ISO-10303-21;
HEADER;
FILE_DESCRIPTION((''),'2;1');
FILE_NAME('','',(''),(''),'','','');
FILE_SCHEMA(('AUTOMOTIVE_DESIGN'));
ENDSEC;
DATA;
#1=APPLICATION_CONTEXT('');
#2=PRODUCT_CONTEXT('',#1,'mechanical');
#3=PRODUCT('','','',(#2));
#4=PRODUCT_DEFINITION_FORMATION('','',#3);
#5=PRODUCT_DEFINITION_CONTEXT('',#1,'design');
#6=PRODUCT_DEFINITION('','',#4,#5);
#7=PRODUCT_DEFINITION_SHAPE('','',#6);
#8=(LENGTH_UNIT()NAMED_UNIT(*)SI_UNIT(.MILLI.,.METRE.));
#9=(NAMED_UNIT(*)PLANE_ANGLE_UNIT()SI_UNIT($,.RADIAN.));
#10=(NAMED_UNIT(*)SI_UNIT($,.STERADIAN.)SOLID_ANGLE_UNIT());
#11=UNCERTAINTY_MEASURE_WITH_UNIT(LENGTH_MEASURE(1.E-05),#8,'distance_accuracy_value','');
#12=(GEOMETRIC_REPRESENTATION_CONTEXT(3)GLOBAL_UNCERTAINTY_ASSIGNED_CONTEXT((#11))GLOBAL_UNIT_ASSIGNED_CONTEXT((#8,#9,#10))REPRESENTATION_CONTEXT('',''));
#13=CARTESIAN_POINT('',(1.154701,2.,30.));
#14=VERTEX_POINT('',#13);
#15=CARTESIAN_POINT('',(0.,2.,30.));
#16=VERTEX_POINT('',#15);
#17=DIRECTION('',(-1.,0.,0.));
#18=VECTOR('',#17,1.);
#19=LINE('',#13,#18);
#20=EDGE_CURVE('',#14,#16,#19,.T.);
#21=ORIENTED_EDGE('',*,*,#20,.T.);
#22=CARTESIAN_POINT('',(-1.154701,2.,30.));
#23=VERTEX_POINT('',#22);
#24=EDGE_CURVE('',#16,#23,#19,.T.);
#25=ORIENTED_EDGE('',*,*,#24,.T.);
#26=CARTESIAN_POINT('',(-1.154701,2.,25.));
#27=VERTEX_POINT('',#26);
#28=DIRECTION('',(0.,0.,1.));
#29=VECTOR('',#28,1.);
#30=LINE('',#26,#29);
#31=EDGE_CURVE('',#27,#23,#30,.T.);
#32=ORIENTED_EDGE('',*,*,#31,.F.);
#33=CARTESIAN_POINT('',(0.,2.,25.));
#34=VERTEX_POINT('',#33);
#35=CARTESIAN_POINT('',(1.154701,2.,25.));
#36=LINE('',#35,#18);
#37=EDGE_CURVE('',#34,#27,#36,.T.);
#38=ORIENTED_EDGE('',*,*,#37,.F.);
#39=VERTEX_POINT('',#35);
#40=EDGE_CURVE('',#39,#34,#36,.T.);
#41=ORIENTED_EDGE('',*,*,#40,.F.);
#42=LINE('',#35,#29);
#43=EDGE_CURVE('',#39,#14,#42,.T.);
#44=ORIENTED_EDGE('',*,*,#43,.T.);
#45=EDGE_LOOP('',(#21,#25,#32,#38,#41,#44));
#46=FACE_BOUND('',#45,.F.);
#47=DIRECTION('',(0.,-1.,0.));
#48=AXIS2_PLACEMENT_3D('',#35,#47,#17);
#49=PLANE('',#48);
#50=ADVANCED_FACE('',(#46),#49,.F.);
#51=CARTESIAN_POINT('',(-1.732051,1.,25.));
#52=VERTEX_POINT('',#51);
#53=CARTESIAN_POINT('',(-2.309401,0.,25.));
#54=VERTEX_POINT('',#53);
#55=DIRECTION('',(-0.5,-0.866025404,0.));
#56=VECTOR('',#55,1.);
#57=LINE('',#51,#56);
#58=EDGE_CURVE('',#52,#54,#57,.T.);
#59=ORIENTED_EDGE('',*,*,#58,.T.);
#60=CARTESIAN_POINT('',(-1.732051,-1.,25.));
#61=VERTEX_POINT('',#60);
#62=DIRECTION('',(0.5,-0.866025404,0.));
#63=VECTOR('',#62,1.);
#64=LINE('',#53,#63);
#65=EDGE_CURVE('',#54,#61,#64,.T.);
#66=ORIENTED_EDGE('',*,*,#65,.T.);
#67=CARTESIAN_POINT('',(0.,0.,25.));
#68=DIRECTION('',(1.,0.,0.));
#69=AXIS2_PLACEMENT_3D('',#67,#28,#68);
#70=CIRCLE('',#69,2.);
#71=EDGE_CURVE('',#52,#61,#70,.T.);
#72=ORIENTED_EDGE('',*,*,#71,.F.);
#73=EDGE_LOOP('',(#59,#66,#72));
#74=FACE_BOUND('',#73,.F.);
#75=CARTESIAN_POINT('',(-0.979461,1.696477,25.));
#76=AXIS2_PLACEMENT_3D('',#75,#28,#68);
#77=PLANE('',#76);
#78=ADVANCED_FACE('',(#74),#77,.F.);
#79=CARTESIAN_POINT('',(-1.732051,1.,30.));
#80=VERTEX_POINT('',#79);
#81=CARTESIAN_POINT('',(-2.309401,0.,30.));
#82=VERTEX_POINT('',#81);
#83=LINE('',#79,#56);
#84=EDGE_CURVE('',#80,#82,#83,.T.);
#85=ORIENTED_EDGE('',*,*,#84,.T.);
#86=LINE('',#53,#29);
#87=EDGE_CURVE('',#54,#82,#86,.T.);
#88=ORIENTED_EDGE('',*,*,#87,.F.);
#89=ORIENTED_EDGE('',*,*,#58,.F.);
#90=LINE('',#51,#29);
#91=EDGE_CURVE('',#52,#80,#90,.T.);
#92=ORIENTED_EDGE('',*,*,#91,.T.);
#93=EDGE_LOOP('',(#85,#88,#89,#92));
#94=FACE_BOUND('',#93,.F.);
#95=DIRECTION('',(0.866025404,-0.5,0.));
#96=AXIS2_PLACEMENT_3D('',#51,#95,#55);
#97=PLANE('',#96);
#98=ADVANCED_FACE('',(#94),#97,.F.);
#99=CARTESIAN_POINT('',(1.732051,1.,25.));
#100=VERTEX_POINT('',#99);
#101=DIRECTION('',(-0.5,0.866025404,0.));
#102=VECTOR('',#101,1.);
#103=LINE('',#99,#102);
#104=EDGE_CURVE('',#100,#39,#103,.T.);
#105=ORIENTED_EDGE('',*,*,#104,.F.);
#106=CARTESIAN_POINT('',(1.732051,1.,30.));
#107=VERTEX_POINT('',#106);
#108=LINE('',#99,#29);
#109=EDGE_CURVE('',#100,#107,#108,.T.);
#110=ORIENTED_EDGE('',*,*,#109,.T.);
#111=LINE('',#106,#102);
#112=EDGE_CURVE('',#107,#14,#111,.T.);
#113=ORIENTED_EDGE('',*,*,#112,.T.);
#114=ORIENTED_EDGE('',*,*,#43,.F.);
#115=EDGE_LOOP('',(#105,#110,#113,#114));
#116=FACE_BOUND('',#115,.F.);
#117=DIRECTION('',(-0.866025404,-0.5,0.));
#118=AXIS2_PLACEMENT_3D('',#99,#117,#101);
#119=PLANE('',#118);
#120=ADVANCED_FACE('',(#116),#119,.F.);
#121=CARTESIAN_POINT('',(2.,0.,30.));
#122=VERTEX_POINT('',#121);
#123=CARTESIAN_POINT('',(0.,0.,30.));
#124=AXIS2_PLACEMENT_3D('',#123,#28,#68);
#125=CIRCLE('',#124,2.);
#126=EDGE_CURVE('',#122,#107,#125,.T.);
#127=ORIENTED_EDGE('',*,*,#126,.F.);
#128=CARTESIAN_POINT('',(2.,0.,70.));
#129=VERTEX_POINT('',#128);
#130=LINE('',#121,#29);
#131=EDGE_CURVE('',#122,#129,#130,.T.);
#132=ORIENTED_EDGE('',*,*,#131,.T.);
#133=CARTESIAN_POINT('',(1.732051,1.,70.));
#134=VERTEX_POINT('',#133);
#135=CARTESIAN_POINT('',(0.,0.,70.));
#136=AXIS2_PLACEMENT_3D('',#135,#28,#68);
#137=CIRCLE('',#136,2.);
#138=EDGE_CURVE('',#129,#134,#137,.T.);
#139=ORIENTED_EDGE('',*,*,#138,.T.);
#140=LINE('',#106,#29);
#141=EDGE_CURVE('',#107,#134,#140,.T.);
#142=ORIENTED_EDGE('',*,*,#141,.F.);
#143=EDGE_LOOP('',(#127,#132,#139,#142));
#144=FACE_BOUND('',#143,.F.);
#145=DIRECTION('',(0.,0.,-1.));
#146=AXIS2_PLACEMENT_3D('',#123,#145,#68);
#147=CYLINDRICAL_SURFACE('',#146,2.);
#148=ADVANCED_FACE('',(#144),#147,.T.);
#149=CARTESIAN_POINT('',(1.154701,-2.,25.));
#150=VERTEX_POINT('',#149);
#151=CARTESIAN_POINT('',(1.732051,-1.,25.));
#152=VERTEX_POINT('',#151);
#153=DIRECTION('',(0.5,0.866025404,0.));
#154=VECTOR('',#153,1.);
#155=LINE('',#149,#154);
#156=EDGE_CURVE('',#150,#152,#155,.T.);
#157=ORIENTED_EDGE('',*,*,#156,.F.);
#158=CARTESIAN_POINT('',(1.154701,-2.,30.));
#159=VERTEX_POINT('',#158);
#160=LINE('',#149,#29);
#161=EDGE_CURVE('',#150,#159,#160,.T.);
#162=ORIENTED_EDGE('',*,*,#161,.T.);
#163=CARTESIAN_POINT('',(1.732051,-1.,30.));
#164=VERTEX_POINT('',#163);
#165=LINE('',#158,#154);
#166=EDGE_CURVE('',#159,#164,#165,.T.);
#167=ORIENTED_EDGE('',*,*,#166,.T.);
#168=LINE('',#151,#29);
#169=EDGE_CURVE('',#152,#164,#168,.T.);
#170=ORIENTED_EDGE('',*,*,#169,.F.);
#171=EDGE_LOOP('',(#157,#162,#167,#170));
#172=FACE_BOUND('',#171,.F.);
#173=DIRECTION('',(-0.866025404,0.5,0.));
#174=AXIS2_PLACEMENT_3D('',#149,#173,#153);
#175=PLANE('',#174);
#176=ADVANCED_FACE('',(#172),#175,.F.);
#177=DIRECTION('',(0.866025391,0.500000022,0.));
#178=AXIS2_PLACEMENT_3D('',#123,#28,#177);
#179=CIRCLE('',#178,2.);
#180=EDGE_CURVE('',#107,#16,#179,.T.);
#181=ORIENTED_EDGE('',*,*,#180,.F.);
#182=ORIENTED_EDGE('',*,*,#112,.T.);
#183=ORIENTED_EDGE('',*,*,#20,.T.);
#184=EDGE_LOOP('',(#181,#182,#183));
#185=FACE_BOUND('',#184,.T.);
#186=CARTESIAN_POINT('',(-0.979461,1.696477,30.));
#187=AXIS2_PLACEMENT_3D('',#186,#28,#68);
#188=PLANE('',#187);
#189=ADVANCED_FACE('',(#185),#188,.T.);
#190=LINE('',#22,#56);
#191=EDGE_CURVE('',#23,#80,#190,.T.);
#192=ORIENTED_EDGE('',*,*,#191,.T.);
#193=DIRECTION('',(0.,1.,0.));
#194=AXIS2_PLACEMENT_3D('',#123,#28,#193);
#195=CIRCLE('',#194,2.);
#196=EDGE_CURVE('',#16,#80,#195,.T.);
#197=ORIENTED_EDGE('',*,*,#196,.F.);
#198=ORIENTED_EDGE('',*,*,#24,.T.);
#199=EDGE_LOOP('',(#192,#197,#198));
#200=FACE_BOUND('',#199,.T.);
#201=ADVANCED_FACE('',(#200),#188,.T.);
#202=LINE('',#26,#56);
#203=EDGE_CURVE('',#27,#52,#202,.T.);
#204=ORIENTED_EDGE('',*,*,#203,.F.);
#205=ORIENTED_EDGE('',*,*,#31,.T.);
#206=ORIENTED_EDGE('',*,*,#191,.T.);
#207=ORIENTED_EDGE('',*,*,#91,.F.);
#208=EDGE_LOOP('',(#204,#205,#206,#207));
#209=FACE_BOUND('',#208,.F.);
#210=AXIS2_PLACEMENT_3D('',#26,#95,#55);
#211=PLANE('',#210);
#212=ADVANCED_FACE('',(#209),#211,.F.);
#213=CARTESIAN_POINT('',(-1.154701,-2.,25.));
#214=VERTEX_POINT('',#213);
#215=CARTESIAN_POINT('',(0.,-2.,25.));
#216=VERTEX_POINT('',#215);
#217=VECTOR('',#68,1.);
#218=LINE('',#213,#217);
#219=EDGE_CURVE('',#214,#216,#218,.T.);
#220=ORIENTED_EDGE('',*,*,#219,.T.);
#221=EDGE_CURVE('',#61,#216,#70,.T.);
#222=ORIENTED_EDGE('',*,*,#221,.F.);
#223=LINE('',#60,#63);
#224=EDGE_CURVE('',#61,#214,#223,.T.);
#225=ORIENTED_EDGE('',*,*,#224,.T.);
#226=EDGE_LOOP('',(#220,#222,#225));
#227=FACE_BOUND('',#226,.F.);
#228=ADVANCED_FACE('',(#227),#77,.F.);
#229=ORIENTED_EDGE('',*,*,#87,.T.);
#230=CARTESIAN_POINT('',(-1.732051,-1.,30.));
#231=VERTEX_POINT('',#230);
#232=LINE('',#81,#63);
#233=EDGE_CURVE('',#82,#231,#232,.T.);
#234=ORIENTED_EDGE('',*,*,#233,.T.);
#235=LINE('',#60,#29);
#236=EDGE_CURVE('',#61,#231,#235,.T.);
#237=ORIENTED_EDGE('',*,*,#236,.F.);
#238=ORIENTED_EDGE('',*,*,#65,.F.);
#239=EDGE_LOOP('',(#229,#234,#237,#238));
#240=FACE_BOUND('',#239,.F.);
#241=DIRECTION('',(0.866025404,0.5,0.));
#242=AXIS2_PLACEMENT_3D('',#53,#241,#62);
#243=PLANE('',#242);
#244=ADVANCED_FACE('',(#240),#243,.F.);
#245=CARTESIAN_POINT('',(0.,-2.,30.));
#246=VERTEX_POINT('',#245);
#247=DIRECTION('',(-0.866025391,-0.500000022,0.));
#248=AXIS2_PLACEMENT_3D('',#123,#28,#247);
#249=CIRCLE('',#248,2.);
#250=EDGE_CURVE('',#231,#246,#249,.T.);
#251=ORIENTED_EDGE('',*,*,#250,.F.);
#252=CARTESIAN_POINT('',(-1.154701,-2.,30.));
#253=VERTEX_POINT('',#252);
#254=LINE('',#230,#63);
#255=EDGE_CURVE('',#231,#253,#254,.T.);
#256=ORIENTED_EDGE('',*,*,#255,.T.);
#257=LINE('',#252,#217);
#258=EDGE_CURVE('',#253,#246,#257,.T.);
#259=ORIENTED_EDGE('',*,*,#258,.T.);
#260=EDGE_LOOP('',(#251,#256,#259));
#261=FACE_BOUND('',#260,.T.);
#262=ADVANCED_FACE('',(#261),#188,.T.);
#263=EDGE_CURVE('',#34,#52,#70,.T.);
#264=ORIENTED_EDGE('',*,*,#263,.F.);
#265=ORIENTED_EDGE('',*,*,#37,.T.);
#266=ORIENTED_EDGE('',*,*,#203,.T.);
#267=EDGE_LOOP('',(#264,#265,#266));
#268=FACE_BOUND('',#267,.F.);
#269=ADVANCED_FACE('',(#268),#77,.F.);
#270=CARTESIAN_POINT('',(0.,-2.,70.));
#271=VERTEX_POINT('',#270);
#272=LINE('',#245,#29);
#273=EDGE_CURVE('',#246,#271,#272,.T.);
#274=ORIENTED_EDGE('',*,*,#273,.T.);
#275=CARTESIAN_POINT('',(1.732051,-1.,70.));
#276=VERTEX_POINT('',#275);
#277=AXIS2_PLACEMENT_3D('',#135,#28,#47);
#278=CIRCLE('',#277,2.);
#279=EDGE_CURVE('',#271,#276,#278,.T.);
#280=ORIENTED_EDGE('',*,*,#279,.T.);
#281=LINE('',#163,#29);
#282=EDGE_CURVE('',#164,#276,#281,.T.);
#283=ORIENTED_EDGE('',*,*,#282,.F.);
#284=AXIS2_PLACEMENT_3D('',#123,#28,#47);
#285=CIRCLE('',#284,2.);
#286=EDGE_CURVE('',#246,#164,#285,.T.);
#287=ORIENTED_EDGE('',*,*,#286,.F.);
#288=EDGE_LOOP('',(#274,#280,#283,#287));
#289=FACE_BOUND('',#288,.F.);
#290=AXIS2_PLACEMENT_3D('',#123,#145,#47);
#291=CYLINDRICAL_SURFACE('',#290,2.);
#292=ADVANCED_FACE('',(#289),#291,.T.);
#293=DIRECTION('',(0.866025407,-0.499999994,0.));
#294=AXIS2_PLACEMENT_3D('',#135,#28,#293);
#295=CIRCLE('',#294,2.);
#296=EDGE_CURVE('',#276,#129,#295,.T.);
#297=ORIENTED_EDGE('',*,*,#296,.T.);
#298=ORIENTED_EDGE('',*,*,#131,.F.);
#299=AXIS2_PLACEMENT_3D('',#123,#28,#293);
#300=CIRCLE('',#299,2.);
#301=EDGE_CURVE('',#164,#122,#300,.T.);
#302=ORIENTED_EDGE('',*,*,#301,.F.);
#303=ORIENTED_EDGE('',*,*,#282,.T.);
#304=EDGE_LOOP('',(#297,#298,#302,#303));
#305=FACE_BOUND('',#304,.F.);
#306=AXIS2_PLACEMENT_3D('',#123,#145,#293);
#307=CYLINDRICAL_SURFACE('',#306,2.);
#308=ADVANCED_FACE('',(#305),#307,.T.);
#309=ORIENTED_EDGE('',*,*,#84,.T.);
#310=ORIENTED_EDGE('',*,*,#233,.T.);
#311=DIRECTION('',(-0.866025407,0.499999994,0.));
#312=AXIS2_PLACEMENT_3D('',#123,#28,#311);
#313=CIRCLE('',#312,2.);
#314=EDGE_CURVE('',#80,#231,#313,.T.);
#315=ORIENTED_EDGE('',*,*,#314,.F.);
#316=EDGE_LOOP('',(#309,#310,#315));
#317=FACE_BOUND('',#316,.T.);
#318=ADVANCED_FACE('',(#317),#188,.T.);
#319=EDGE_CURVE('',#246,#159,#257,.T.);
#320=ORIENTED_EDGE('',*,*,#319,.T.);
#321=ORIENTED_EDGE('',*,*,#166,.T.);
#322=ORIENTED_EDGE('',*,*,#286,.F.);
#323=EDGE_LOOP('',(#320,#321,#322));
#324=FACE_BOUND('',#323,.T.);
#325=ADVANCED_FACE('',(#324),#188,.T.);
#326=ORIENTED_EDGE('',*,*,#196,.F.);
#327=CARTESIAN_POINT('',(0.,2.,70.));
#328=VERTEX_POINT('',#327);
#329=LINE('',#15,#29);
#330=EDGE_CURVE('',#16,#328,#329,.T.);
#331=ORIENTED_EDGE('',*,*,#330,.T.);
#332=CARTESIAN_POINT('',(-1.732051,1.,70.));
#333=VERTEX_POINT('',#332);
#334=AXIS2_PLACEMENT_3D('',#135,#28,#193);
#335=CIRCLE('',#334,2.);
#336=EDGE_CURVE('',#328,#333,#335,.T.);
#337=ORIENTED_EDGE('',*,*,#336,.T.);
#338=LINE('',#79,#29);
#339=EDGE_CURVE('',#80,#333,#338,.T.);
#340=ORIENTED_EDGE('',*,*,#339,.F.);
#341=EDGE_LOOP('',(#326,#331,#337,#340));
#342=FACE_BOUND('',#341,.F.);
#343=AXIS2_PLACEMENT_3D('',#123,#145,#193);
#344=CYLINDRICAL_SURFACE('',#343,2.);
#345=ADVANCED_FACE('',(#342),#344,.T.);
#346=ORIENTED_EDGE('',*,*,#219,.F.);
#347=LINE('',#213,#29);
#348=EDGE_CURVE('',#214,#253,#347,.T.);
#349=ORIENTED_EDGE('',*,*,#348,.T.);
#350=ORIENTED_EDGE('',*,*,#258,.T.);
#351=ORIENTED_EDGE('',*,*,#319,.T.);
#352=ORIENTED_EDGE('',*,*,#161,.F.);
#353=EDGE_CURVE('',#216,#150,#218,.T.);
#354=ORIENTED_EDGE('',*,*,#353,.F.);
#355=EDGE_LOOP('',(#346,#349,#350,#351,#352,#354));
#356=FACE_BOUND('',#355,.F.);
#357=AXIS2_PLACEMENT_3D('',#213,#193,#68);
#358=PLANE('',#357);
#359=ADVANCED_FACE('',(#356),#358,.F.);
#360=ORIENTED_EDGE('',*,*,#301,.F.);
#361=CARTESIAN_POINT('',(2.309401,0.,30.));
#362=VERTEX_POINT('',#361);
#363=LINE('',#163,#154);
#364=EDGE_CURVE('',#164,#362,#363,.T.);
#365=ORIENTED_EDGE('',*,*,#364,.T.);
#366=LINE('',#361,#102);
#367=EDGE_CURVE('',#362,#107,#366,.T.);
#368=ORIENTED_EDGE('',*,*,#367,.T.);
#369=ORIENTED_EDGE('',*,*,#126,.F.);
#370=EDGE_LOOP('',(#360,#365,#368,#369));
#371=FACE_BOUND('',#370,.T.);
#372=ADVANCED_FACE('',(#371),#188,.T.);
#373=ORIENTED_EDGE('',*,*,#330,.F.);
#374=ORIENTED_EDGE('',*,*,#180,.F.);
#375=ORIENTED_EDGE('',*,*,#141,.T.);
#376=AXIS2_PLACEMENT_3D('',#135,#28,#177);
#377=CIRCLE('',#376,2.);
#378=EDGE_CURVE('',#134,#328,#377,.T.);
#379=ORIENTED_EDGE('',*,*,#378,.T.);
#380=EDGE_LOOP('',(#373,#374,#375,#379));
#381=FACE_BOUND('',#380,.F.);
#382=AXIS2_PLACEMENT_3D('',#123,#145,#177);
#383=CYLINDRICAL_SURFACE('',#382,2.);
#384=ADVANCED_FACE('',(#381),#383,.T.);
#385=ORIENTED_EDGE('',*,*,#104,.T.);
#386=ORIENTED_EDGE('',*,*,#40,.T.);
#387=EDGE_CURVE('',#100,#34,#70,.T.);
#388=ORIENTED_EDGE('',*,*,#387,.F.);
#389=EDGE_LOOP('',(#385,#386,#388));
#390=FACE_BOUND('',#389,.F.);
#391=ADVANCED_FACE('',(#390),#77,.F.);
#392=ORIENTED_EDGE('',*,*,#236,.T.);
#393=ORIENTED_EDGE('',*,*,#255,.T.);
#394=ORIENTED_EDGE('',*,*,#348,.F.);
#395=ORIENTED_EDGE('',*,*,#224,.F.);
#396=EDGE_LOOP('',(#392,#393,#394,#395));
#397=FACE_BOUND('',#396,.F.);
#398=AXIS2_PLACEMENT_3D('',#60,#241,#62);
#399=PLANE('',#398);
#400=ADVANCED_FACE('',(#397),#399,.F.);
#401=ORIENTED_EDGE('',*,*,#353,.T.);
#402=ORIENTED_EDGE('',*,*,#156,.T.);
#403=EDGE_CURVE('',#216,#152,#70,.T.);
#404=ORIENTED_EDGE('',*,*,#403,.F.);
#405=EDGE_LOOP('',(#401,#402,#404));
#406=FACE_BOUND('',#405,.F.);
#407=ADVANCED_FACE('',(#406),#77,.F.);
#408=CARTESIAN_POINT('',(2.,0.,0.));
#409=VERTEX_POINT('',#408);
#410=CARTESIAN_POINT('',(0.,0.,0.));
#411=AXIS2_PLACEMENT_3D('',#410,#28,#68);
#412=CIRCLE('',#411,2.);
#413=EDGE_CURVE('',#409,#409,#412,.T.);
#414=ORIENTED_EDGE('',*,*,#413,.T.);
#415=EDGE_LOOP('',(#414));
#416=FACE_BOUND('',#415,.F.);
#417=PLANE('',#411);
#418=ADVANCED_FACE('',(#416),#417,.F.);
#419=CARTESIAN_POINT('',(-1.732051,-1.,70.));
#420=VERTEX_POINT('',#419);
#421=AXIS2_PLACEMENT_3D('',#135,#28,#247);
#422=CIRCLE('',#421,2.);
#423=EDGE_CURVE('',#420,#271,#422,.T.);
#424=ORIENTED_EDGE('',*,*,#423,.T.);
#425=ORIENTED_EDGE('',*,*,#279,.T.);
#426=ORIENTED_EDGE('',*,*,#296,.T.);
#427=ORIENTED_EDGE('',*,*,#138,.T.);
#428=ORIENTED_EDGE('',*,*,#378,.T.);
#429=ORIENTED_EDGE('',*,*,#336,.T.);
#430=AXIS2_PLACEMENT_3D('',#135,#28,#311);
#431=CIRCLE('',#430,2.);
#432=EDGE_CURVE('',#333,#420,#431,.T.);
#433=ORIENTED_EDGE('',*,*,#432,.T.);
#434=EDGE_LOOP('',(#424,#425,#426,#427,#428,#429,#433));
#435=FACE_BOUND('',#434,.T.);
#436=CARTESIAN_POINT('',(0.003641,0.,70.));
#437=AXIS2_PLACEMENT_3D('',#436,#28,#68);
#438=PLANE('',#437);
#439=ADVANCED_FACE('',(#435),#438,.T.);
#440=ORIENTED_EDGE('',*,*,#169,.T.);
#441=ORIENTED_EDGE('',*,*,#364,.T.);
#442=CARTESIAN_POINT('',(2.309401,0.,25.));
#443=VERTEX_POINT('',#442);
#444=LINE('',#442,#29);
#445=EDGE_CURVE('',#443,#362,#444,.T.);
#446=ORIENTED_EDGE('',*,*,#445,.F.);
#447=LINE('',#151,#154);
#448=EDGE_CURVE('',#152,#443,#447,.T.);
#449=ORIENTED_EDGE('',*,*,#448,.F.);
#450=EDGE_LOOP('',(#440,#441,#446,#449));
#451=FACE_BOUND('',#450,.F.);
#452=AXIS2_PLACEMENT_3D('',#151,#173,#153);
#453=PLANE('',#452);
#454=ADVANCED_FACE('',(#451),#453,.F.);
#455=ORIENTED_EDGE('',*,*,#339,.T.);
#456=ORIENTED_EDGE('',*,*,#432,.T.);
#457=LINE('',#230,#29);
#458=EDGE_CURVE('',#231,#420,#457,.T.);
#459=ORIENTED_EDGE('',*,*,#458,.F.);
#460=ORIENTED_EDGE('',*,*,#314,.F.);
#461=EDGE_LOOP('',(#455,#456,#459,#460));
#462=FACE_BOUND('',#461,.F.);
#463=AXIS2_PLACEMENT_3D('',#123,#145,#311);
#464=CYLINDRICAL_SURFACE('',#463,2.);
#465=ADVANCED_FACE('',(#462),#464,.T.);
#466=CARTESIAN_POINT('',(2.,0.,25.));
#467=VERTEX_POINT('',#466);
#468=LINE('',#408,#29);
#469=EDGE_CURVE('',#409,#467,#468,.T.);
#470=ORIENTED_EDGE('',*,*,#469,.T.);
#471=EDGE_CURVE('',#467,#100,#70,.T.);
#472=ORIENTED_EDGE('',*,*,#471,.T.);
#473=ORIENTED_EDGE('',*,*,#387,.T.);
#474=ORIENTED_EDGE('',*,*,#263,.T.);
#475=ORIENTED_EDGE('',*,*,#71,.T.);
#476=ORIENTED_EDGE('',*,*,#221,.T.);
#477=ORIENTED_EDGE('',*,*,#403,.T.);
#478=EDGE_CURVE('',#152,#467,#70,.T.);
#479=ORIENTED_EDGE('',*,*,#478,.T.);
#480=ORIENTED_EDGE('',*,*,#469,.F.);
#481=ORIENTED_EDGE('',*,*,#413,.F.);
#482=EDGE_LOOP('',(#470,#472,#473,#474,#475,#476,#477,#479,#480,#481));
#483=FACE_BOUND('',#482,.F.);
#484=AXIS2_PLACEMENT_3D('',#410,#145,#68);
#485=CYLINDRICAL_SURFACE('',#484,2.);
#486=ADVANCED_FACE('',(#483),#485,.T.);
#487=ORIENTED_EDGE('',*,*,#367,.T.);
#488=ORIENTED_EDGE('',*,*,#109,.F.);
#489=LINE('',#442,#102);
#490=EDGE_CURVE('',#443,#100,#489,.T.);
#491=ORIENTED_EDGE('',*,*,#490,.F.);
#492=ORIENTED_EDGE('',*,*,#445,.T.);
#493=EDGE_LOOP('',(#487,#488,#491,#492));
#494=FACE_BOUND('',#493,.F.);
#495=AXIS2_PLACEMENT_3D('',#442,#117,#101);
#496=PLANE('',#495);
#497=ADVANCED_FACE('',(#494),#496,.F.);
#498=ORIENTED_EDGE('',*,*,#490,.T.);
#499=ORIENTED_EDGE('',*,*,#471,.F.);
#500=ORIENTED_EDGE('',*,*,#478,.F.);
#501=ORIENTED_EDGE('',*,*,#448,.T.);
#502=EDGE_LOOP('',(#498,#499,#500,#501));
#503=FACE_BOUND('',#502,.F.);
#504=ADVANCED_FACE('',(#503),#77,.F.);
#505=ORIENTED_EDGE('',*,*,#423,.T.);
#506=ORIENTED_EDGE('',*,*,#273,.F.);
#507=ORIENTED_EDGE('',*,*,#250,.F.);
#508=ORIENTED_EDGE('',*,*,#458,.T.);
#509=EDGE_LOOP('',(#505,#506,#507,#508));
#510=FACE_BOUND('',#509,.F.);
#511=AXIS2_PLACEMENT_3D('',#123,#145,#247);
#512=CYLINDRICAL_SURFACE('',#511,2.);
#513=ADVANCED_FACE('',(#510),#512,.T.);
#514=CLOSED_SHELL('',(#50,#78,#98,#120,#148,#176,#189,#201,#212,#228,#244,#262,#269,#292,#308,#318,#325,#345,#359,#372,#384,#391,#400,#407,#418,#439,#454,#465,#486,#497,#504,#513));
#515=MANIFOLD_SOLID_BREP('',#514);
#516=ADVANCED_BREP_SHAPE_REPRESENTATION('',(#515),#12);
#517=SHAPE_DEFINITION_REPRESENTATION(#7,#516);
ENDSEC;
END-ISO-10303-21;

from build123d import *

# Parameters (mm, degrees)
F0_R     = 2
F1_DEPTH = 25
F3_DEPTH = 5
F5_DEPTH = 40


with BuildPart() as f1:
    # F0 (on Top) → F1 (new body)
    with BuildSketch(Plane.XY):
        Circle(F0_R)
    extrude(amount=F1_DEPTH)

    # F2 (on face) → F3 (join)
    with BuildSketch(Plane.XY.offset(25)):
        with BuildLine():
            Line((0, 2), (-1.1547005384, 2))
            Line((-1.1547005384, 2), (-1.7320507826, 1.0000000433))
            ThreePointArc((-1.7320507826, 1.0000000433), (-0.9999999783, 1.7320508201), (0, 2))
        make_face()
        with BuildLine():
            ThreePointArc((-1.7320507826, -1.0000000433), (-2, 0), (-1.7320507826, 1.0000000433))
            Line((-1.7320507826, 1.0000000433), (-2.3094010768, 0))
            Line((-2.3094010768, 0), (-1.7320507826, -1.0000000433))
        make_face()
        with BuildLine():
            ThreePointArc((0, -2), (-0.9999999783, -1.7320508201), (-1.7320507826, -1.0000000433))
            Line((-1.7320507826, -1.0000000433), (-1.1547005384, -2))
            Line((-1.1547005384, -2), (0, -2))
        make_face()
        with BuildLine():
            ThreePointArc((1.7320507983, -1.0000000161), (0.999999992, -1.7320508122), (0, -2))
            Line((0, -2), (1.1547005384, -2))
            Line((1.1547005384, -2), (1.7320507983, -1.0000000161))
        make_face()
        with BuildLine():
            Line((2.3094010768, 0), (1.7320507826, 1.0000000433))
            ThreePointArc((1.7320507826, 1.0000000433), (1.9318516461, 0.5176381144), (2, 0))
            ThreePointArc((2, 0), (1.9318516502, -0.5176380992), (1.7320507983, -1.0000000161))
            Line((1.7320507983, -1.0000000161), (2.3094010768, 0))
        make_face()
        with BuildLine():
            Line((1.1547005384, 2), (0, 2))
            ThreePointArc((0, 2), (0.9999999783, 1.7320508201), (1.7320507826, 1.0000000433))
            Line((1.7320507826, 1.0000000433), (1.1547005384, 2))
        make_face()
        with BuildLine():
            ThreePointArc((1.7320507826, 1.0000000433), (0.9999999783, 1.7320508201), (0, 2))
            ThreePointArc((0, 2), (-0.9999999783, 1.7320508201), (-1.7320507826, 1.0000000433))
            ThreePointArc((-1.7320507826, 1.0000000433), (-2, 0), (-1.7320507826, -1.0000000433))
            ThreePointArc((-1.7320507826, -1.0000000433), (-0.9999999783, -1.7320508201), (0, -2))
            ThreePointArc((0, -2), (0.999999992, -1.7320508122), (1.7320507983, -1.0000000161))
            ThreePointArc((1.7320507983, -1.0000000161), (1.9318516502, -0.5176380992), (2, 0))
            ThreePointArc((2, 0), (1.9318516461, 0.5176381144), (1.7320507826, 1.0000000433))
        make_face()
    extrude(amount=F3_DEPTH)

    # F4 (on face) → F5 (join)
    with BuildSketch(Plane.XY.offset(30)):
        with BuildLine():
            ThreePointArc((1.732050814, -0.9999999889), (1.9318516542, -0.517638084), (2, 0))
            ThreePointArc((2, 0), (1.9318516461, 0.5176381144), (1.7320507826, 1.0000000433))
            ThreePointArc((1.7320507826, 1.0000000433), (0.9999999783, 1.7320508201), (0, 2))
            ThreePointArc((0, 2), (-1.0000000056, 1.7320508044), (-1.732050814, 0.9999999889))
            ThreePointArc((-1.732050814, 0.9999999889), (-2, -3.14e-08), (-1.7320507826, -1.0000000433))
            ThreePointArc((-1.7320507826, -1.0000000433), (-0.9999999783, -1.7320508201), (0, -2))
            ThreePointArc((0, -2), (1.0000000056, -1.7320508044), (1.732050814, -0.9999999889))
        make_face()
    extrude(amount=F5_DEPTH)


solid = f1.part
